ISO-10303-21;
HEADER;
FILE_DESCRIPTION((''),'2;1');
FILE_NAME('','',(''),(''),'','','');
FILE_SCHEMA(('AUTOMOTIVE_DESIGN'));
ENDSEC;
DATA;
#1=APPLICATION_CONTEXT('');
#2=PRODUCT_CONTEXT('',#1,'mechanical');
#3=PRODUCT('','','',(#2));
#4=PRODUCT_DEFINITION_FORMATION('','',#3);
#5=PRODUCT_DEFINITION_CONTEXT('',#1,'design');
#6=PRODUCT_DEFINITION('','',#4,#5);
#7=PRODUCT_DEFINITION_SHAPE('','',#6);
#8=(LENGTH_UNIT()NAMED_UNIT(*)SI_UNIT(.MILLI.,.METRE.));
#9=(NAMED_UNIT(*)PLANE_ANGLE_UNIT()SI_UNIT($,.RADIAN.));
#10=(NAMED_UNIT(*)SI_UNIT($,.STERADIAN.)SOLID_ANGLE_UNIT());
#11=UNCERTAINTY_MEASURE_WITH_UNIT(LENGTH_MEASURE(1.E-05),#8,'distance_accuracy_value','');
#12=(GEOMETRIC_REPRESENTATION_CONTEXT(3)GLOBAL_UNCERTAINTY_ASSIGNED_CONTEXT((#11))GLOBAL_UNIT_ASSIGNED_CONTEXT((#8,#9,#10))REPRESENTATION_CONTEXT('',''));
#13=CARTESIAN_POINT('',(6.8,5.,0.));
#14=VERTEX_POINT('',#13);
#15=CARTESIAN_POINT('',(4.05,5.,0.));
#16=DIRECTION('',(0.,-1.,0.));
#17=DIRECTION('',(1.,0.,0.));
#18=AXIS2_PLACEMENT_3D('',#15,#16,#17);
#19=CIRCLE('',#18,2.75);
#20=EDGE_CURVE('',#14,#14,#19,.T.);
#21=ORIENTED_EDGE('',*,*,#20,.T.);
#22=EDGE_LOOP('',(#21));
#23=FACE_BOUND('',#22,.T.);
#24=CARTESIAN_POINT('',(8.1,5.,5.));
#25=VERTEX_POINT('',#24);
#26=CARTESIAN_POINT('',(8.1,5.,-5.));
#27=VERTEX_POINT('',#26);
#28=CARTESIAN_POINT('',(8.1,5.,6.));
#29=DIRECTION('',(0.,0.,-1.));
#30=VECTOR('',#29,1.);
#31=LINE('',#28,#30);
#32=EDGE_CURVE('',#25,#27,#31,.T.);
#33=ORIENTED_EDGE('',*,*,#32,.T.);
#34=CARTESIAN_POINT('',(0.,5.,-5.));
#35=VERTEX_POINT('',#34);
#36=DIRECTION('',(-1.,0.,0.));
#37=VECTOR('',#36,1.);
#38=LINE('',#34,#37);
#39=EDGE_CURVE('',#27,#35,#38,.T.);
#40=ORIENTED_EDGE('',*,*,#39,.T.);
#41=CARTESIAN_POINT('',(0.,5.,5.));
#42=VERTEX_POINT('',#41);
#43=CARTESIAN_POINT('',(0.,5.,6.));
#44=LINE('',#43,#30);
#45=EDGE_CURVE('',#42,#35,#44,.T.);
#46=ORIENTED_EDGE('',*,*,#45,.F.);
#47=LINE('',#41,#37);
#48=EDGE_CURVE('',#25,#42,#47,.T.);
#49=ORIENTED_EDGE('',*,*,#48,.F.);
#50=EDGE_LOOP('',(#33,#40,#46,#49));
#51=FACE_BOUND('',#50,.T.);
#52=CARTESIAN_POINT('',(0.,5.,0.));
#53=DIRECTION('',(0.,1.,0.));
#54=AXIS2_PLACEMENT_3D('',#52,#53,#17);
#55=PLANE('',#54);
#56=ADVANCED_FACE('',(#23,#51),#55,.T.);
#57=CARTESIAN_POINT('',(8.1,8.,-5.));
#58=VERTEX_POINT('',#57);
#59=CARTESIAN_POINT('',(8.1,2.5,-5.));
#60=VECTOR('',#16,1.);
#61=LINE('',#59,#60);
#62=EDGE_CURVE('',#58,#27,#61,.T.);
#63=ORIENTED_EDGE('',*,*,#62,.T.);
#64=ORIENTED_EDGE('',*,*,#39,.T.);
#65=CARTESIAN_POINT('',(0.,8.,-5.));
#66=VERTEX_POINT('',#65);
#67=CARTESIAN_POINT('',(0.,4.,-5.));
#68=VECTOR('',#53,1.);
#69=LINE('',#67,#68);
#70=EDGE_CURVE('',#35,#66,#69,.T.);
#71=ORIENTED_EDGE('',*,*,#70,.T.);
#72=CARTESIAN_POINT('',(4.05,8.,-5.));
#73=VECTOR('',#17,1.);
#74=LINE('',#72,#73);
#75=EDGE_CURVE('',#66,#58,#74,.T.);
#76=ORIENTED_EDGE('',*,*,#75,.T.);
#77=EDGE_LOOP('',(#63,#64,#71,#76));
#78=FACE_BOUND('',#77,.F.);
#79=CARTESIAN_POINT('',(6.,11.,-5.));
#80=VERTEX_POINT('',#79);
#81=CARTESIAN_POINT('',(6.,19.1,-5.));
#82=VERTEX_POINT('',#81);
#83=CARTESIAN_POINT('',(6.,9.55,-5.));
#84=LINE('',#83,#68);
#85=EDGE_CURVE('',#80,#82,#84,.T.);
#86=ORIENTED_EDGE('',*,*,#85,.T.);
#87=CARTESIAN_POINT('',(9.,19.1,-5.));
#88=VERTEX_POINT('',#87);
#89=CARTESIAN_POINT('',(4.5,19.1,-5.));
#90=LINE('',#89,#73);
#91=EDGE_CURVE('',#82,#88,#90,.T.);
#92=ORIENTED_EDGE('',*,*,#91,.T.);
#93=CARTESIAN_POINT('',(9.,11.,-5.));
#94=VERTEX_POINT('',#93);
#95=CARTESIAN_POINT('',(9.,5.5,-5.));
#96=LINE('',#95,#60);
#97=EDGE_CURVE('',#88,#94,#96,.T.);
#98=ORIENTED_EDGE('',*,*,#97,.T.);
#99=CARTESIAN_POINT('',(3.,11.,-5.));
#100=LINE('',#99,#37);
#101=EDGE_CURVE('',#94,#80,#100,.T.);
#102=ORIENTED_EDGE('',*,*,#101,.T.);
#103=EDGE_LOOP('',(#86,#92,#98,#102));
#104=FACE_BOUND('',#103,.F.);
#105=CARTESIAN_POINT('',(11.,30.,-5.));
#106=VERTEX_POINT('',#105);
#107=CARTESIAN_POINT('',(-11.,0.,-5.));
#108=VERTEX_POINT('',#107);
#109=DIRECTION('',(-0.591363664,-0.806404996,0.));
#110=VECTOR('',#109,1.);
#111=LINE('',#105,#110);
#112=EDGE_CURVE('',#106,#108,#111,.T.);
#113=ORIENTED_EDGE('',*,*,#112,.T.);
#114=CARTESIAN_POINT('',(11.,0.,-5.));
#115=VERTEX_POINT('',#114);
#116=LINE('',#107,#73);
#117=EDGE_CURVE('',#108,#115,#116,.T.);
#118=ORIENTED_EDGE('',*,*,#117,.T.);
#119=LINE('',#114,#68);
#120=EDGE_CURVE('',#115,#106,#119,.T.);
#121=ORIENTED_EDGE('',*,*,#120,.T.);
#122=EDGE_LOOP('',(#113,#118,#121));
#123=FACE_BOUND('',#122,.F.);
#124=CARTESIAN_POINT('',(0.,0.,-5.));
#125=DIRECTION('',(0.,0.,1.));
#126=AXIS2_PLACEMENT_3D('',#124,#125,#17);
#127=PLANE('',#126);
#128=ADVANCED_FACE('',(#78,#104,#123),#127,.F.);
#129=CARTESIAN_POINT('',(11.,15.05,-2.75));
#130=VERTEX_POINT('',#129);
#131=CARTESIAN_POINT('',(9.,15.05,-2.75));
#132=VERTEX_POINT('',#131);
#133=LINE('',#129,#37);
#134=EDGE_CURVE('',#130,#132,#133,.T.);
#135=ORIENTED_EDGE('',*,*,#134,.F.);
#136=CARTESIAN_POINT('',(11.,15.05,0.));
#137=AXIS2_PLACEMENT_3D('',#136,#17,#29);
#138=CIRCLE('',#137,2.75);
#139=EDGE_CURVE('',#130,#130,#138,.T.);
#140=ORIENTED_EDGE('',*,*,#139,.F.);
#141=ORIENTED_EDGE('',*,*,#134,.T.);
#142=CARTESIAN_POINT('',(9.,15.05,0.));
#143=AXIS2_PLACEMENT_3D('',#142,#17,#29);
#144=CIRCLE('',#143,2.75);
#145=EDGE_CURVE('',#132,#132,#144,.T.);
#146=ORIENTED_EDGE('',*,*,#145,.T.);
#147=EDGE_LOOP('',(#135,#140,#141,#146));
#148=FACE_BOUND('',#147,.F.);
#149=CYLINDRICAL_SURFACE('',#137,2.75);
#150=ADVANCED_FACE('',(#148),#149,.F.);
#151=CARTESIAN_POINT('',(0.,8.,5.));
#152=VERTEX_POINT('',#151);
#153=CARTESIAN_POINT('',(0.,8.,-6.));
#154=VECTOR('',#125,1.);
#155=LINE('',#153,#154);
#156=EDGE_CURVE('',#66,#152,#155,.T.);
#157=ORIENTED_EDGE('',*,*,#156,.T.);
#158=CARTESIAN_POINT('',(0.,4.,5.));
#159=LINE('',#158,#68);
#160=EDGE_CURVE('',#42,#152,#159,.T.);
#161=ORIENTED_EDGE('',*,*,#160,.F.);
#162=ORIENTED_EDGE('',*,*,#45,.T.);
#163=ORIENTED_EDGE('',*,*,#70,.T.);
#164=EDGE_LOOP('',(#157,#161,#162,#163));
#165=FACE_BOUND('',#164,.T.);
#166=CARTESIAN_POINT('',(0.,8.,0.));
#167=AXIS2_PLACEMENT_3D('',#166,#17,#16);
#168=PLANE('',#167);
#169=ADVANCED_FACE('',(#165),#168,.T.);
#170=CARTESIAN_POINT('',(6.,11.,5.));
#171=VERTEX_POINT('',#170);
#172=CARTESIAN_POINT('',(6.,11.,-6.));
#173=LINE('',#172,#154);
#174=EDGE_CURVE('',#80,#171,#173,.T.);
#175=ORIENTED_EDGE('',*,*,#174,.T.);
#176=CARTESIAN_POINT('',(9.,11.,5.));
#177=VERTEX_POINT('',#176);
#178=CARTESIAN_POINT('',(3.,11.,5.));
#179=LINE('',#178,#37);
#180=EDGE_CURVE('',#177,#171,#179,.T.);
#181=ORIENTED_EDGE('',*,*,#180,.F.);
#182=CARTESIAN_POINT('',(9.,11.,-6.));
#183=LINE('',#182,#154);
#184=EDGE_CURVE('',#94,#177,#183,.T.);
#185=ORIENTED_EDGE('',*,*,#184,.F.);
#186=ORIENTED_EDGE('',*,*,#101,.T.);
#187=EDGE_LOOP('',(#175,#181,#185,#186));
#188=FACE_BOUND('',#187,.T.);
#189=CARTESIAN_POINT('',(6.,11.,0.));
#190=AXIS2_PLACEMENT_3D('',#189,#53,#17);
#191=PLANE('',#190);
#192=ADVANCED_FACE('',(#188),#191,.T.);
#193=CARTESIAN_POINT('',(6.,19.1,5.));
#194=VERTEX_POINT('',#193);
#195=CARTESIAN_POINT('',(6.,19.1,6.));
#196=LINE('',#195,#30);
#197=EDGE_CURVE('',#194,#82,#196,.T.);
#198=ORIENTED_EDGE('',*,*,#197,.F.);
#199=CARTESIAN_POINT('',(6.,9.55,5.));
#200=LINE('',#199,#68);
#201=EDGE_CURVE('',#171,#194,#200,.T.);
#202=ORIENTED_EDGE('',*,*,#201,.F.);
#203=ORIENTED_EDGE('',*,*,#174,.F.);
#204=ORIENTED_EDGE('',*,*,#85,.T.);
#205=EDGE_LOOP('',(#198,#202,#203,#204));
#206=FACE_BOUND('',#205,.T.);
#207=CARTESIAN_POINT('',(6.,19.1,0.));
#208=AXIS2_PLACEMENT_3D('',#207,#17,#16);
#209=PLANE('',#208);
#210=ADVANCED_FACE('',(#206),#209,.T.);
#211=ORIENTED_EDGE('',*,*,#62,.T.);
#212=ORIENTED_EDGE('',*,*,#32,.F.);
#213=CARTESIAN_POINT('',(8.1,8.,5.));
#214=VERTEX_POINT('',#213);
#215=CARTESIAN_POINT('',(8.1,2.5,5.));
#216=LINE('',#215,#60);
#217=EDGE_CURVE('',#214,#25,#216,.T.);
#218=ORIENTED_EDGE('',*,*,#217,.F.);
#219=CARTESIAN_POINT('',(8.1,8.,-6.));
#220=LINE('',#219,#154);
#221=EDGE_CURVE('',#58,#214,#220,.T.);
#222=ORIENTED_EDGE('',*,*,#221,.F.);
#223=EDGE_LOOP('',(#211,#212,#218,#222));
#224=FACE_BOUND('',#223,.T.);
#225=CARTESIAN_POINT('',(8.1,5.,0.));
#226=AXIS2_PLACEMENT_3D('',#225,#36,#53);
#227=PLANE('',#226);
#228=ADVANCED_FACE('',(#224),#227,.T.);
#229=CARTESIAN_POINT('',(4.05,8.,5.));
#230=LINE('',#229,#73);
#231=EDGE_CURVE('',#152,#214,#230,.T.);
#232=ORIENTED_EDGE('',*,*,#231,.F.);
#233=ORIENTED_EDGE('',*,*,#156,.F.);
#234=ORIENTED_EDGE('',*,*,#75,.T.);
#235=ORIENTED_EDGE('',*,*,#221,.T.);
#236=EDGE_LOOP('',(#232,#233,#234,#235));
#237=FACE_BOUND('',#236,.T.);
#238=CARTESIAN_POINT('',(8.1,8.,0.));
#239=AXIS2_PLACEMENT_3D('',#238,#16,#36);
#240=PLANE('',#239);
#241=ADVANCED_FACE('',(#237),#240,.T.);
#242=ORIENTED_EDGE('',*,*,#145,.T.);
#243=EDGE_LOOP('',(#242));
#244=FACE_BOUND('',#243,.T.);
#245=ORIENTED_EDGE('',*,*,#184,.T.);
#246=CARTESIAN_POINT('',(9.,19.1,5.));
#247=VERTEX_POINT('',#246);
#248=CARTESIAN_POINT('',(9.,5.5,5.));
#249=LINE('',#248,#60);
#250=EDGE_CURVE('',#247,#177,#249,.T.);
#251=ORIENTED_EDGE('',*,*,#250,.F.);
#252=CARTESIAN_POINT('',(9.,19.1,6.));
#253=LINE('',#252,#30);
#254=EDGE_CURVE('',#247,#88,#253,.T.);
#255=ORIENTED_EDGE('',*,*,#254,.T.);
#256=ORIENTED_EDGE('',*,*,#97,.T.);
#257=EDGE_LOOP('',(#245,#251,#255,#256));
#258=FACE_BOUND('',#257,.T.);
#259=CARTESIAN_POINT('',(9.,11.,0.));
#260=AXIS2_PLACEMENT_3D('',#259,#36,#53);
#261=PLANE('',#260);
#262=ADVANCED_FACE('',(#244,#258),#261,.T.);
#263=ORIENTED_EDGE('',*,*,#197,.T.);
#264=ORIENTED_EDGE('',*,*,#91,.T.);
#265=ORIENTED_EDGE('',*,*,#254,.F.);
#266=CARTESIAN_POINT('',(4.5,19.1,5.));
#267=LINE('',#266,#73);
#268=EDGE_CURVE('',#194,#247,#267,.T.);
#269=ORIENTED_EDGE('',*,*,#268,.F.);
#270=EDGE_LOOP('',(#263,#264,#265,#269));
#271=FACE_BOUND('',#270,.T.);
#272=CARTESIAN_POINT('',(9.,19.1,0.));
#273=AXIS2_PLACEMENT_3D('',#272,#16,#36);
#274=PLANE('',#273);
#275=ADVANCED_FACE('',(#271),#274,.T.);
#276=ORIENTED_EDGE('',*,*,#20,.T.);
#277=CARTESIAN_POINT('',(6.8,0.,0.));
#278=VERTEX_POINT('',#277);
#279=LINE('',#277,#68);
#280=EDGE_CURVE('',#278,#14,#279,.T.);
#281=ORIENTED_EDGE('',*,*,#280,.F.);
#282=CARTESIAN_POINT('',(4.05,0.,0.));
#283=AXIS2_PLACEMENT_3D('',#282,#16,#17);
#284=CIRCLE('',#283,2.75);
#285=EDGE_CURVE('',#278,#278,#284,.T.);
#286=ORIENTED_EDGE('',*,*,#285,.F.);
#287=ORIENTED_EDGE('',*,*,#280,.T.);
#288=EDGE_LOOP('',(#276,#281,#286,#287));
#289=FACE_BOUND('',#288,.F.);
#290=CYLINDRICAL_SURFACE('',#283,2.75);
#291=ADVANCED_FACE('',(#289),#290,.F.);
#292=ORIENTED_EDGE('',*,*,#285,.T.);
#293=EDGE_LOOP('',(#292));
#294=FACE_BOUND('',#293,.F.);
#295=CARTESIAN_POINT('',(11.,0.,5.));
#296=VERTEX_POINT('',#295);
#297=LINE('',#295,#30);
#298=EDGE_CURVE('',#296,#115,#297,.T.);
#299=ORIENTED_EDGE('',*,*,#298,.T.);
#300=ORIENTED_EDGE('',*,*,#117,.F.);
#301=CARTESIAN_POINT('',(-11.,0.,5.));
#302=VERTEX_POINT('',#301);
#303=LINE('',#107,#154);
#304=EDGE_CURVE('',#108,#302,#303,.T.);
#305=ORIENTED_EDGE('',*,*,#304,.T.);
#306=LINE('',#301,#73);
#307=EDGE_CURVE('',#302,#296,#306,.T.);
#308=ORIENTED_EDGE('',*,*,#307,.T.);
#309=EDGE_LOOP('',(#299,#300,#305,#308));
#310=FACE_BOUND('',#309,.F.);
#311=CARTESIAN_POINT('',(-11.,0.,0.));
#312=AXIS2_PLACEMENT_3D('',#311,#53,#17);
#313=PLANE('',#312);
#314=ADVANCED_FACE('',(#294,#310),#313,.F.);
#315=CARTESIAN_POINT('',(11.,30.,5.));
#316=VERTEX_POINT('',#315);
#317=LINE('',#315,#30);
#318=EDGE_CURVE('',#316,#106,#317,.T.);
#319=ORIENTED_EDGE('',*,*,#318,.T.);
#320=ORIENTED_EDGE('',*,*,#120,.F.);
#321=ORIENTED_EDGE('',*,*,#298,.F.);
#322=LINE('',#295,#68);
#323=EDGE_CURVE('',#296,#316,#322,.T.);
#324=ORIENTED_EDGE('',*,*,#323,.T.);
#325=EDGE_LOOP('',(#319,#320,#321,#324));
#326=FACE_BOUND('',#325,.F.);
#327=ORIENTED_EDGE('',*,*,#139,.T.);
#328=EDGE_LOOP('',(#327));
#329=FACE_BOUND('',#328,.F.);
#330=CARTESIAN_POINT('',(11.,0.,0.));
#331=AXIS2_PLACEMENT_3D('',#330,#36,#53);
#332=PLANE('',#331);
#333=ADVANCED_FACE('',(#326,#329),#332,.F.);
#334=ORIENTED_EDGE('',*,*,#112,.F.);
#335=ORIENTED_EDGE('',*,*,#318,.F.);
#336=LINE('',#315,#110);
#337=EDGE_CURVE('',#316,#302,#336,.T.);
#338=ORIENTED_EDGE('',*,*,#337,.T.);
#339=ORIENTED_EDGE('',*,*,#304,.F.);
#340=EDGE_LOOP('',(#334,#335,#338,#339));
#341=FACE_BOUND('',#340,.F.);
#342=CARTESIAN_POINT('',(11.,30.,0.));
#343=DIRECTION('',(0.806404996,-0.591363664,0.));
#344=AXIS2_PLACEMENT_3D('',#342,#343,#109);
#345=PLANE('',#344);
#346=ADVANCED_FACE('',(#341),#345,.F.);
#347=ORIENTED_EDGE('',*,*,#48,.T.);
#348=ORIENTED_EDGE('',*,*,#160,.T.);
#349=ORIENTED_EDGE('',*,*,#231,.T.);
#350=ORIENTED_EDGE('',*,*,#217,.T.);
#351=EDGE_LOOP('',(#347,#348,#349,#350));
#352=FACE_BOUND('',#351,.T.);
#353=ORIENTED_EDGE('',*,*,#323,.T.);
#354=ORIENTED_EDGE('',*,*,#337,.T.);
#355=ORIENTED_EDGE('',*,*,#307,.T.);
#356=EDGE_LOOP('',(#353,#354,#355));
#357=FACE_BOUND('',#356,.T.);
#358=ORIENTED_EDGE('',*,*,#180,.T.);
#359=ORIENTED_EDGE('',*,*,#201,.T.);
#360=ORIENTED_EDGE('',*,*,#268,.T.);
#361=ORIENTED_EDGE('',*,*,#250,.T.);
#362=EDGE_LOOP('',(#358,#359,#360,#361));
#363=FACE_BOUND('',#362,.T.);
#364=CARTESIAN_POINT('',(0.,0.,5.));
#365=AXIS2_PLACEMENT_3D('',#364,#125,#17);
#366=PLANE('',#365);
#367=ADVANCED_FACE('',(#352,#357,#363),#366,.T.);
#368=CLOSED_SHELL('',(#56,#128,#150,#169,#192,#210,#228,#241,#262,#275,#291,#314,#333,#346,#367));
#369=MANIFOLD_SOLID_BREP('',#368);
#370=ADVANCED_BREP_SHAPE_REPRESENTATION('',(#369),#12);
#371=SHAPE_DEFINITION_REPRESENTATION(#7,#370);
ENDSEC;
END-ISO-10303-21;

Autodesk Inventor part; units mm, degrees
ref_plane "YZ Plane" through (0, 0, 0) normal (1, 0, 0) x (0, 1, 0)
ref_plane "XZ Plane" through (0, 0, 0) normal (0, 1, 0) x (-1, 0, 0)
ref_plane "XY Plane" through (0, 0, 0) normal (0, 0, 1) x (1, 0, 0)
sketch "Sketch1" plane through (0, 0, 0) normal (0, 0, 1) x (1, 0, 0)
  line L0 (-11, 0) -> (11, 0)
  line L1 (11, 0) -> (11, 30)
  line L2 (11, 30) -> (-11, 0)
  point P0 (0, 0)
  point P1 (0, 0)
  dimension "d0" = 22
  dimension "d1" = 30
extrude "Extrusion1" add sketch "Sketch1" along normal mid plane 10
sketch "Sketch2" plane through (0, 0, 0) normal (0, 0, 1) x (1, 0, 0)
  line L0 (11, 30) -> (11, 0) construction
  line L1 (11, 0) -> (-11, 0) construction
  line L2 (-11, 0) -> (11, 30) construction
  line L3 (8.1, 8) -> (0, 8)
  line L4 (0, 8) -> (0, 5)
  line L5 (0, 5) -> (8.1, 5)
  line L6 (8.1, 5) -> (8.1, 8)
  line L7 (6, 11) -> (9, 11)
  line L8 (9, 11) -> (9, 19.1)
  line L9 (9, 19.1) -> (6, 19.1)
  line L10 (6, 19.1) -> (6, 11)
  point P0 (0, 0)
  point P1 (0, 6.5)
  point P2 (0, 0)
  point P3 (11, 15)
  dimension "d4" = 8.1
  dimension "d5" = 5
  dimension "d6" = 3
  dimension "d7" = 3
  dimension "d8" = 8.1
  dimension "d9" = 2
  dimension "d10" = 3
extrude "Extrusion2" cut sketch "Sketch2" along normal through all both and the other way through all
sketch "Sketch3" plane through (11, 0, 5) normal (1, 0, 0) x (0, 0, -1)
  line L0 (10, 19.1) -> (10, 11) construction
  line L1 (10, 19.1) -> (0, 19.1) construction
  line L2 (0, 11) -> (0, 19.1) construction
  line L3 (10, 11) -> (0, 11) construction
  line L4 (10, 19.1) -> (0, 19.1) construction
  line L5 (5, 19.1) -> (5, 11) construction
  line L6 (0, 15.05) -> (10, 15.05) construction
  line L7 (10, 19.1) -> (10, 11) construction
  circle A0 centre (5, 15.05) radius 2.75
  point P0 (5, 0)
  dimension "d13" = 5.5
extrude "Extrusion3" cut sketch "Sketch3" against normal up to surface (5 mm away)
sketch "Sketch4" plane through (-11, 0, 5) normal (0, -1, 0) x (1, 0, 0)
  line L0 (19.1, -10) -> (11, -10) construction
  line L1 (19.1, -10) -> (19.1, 0) construction
  line L2 (11, 0) -> (19.1, 0) construction
  line L3 (11, 0) -> (11, -10) construction
  line L4 (19.1, 0) -> (11, 0) construction
  line L5 (15.05, 0) -> (15.05, -10) construction
  line L6 (19.1, -10) -> (11, -10) construction
  line L7 (11, -5) -> (19.1, -5) construction
  circle A0 centre (15.05, -5) radius 2.75
  dimension "d16" = 5.5
extrude "Extrusion4" cut sketch "Sketch4" against normal up to surface (8 mm away)
properties part number "ligamento_obj4"
